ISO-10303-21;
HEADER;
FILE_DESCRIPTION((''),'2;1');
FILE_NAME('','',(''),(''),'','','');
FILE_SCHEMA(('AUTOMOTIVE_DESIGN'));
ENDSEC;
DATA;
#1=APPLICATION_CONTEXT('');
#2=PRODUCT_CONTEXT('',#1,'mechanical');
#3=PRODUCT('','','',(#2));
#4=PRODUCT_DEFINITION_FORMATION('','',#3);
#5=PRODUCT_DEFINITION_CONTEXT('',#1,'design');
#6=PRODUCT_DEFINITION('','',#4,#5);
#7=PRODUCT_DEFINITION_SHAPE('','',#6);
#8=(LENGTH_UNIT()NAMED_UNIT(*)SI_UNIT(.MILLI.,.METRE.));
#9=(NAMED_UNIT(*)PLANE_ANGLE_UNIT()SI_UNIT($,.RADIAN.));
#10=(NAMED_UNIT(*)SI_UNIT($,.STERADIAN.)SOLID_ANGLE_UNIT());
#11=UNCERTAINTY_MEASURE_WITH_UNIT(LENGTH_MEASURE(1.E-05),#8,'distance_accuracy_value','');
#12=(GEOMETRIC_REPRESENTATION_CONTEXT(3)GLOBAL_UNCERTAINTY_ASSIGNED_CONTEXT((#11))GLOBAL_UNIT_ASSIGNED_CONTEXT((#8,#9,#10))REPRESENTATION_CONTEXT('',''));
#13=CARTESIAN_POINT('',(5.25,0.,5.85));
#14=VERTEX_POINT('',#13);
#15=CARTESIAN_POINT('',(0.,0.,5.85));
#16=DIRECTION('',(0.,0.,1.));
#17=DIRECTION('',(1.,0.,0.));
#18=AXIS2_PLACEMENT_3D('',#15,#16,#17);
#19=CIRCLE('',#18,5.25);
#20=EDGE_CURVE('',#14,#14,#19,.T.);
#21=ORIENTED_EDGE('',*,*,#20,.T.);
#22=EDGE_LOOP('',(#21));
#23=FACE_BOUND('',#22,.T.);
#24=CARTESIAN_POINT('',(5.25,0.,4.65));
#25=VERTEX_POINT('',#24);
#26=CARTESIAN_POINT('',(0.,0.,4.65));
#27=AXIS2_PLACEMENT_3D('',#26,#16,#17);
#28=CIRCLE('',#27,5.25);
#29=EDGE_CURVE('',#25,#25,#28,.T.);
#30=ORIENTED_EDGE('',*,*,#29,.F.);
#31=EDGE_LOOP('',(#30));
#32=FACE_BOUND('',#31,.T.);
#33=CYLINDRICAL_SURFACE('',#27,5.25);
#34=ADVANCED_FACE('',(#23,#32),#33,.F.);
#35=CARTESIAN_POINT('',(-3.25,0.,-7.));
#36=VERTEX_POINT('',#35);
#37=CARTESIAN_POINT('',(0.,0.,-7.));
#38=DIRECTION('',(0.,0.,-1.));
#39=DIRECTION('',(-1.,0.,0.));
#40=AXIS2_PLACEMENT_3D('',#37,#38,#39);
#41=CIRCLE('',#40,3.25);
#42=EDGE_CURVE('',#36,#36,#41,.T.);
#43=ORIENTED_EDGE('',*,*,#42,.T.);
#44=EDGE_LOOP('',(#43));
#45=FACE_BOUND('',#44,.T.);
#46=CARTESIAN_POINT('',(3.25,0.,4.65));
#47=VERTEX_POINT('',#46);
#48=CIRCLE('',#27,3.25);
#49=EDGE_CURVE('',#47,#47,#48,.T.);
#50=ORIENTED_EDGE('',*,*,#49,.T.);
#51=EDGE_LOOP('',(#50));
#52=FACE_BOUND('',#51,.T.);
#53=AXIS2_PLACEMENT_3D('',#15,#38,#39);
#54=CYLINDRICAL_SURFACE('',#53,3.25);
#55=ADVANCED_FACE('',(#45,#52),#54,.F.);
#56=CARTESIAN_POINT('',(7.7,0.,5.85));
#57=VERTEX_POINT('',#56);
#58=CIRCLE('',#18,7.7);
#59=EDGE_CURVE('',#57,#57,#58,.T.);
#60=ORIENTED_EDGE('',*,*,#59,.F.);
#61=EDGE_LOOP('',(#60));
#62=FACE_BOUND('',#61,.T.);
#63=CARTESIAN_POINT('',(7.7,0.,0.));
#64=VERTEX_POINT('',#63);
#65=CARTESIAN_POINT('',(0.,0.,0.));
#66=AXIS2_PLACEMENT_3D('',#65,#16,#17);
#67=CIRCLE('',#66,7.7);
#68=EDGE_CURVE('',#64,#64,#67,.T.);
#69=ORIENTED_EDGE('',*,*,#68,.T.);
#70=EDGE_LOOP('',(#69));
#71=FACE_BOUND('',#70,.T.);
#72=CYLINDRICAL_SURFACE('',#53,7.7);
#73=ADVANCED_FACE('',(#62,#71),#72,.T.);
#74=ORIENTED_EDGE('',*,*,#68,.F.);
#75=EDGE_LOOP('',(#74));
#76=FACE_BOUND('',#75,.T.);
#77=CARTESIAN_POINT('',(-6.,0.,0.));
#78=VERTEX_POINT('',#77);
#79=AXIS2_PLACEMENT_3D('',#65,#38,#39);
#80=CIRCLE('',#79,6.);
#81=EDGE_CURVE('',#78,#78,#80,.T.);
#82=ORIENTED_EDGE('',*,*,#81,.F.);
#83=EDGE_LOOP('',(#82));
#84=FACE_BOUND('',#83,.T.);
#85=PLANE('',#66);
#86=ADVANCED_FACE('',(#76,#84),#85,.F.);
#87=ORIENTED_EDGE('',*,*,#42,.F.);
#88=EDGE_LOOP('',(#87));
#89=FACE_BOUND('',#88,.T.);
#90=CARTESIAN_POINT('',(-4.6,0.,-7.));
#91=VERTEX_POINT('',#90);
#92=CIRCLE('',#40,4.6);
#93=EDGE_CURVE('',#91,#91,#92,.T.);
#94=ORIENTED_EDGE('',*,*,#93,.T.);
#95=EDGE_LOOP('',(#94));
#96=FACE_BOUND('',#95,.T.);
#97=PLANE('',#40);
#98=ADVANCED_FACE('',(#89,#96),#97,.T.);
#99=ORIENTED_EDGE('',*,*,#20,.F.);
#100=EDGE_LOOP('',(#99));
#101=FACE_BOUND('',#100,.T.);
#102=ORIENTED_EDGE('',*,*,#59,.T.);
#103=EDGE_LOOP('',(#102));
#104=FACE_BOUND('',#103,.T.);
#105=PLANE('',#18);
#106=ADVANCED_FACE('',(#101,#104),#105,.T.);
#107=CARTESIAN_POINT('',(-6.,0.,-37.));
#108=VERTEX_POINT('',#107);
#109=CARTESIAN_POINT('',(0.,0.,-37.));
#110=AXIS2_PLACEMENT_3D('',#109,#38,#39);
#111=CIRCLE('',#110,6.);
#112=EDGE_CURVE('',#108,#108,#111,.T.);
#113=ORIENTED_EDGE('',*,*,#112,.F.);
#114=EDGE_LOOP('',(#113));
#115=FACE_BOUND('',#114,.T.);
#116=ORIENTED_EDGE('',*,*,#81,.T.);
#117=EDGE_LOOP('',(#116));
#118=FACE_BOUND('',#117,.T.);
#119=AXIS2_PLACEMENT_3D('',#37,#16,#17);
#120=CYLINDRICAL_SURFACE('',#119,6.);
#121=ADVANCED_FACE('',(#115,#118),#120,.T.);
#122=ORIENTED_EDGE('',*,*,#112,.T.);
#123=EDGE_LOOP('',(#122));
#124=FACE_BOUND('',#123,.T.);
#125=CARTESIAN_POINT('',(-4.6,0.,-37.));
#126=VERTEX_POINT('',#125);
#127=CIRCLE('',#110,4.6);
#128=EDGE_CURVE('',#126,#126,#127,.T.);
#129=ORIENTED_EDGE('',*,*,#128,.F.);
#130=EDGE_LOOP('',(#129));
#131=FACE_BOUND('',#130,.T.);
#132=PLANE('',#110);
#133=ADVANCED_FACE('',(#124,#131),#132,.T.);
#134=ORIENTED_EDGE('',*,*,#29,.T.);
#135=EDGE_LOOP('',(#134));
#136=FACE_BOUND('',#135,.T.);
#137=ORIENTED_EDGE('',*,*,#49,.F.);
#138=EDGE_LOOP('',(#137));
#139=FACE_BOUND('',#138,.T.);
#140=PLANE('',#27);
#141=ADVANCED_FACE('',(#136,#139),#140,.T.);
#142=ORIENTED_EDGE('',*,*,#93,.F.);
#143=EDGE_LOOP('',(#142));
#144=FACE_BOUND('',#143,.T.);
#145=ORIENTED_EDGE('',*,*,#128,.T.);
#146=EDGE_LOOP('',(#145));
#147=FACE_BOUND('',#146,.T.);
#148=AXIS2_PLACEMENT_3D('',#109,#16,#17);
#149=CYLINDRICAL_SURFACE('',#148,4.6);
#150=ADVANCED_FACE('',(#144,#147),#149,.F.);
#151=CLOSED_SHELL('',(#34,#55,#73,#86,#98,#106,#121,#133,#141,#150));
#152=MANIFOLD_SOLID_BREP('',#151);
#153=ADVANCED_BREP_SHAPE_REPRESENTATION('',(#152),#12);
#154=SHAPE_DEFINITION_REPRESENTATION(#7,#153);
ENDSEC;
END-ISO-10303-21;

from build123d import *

# Parameters (mm, degrees)
SKETCH1_R           = 7.7
SKETCH1_R_2         = 3.25
BOSS_EXTRUDE1_DEPTH = 5.85
SKETCH2_R           = 5.25
CUT_EXTRUDE1_DEPTH  = 1.2
SKETCH4_R           = 6
SKETCH4_R_2         = 3.25
BOSS_EXTRUDE2_DEPTH = 7
SKETCH5_R           = 6
SKETCH5_R_2         = 4.6
BOSS_EXTRUDE5_DEPTH = 30


with BuildPart() as part:
    # Sketch1 → Boss-Extrude1 (new body)
    with BuildSketch(Plane.XY):
        Circle(SKETCH1_R)
        Circle(SKETCH1_R_2, mode=Mode.SUBTRACT)
    extrude(amount=BOSS_EXTRUDE1_DEPTH)

    # Sketch2 → Cut-Extrude1 (cut)
    with BuildSketch(Plane.XY.offset(5.85)):
        Circle(SKETCH2_R)
    extrude(amount=-CUT_EXTRUDE1_DEPTH, mode=Mode.SUBTRACT)

    # Sketch4 → Boss-Extrude2 (add)
    with BuildSketch(Plane(origin=(0, 0, 0), x_dir=(-1, 0, 0), z_dir=(0, 0, -1))):
        Circle(SKETCH4_R)
        Circle(SKETCH4_R_2, mode=Mode.SUBTRACT)
    extrude(amount=BOSS_EXTRUDE2_DEPTH)

    # Sketch5 → Boss-Extrude5 (add)
    with BuildSketch(Plane(origin=(0, 0, -7), x_dir=(-1, 0, 0), z_dir=(0, 0, -1))):
        Circle(SKETCH5_R)
        Circle(SKETCH5_R_2, mode=Mode.SUBTRACT)
    extrude(amount=BOSS_EXTRUDE5_DEPTH)


solid = part.part
